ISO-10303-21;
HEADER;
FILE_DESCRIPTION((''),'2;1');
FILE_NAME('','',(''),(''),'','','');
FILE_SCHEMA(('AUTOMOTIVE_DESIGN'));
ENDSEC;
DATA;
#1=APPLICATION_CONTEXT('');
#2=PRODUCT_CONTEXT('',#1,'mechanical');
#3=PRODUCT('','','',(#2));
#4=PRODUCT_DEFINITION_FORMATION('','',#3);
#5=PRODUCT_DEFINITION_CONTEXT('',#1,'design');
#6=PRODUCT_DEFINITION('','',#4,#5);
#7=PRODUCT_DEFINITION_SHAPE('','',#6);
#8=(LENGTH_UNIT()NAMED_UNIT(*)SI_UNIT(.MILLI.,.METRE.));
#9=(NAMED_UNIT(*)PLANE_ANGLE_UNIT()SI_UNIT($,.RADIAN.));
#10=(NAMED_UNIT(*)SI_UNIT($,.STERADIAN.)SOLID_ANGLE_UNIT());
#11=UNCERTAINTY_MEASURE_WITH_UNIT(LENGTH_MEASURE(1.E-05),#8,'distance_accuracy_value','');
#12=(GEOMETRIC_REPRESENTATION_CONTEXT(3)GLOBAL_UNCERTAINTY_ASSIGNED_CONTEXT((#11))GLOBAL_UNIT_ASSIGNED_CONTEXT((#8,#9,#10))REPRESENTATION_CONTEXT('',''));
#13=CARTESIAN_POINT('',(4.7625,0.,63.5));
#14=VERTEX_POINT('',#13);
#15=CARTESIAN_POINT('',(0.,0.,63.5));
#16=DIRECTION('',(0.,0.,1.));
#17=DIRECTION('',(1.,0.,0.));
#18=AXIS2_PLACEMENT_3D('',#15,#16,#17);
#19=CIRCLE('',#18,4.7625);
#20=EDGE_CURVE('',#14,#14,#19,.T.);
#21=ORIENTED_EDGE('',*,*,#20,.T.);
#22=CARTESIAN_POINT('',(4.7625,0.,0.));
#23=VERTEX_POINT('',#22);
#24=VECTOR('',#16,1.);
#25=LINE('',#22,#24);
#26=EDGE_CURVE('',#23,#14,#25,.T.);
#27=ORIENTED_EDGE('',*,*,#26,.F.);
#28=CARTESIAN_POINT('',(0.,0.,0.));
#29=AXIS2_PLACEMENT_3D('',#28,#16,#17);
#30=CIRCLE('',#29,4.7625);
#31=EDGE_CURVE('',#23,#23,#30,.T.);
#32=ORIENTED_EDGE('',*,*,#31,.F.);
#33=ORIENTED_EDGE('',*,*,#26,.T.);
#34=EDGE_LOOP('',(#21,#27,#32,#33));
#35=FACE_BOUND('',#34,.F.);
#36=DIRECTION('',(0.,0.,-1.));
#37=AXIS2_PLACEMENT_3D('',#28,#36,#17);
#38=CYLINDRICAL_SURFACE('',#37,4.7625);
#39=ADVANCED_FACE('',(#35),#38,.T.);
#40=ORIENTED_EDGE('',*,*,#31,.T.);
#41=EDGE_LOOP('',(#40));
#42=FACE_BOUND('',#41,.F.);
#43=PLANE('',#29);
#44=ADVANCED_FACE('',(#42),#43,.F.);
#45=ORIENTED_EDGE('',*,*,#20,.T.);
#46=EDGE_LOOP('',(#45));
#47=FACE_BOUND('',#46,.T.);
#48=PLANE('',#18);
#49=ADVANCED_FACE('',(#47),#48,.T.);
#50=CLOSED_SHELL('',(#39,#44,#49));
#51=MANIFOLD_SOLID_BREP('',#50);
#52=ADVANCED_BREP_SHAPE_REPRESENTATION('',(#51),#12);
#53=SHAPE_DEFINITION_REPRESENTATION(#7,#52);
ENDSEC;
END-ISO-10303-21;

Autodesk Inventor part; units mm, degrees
ref_plane "YZ Plane" through (0, 0, 0) normal (1, 0, 0) x (0, 1, 0)
ref_plane "XZ Plane" through (0, 0, 0) normal (0, 1, 0) x (-1, 0, 0)
ref_plane "XY Plane" through (0, 0, 0) normal (0, 0, 1) x (1, 0, 0)
sketch "Sketch1" plane through (0, 0, 0) normal (0, 0, 1) x (1, 0, 0)
  circle A0 centre (0, 0) radius 4.7625
  dimension "d0" = 9.525
  dimension "d0" = 9.525
extrude "Extrusion1" add sketch "Sketch1" along normal blind 63.5
properties part number "LauncherRotationAxle" material "Steel"
